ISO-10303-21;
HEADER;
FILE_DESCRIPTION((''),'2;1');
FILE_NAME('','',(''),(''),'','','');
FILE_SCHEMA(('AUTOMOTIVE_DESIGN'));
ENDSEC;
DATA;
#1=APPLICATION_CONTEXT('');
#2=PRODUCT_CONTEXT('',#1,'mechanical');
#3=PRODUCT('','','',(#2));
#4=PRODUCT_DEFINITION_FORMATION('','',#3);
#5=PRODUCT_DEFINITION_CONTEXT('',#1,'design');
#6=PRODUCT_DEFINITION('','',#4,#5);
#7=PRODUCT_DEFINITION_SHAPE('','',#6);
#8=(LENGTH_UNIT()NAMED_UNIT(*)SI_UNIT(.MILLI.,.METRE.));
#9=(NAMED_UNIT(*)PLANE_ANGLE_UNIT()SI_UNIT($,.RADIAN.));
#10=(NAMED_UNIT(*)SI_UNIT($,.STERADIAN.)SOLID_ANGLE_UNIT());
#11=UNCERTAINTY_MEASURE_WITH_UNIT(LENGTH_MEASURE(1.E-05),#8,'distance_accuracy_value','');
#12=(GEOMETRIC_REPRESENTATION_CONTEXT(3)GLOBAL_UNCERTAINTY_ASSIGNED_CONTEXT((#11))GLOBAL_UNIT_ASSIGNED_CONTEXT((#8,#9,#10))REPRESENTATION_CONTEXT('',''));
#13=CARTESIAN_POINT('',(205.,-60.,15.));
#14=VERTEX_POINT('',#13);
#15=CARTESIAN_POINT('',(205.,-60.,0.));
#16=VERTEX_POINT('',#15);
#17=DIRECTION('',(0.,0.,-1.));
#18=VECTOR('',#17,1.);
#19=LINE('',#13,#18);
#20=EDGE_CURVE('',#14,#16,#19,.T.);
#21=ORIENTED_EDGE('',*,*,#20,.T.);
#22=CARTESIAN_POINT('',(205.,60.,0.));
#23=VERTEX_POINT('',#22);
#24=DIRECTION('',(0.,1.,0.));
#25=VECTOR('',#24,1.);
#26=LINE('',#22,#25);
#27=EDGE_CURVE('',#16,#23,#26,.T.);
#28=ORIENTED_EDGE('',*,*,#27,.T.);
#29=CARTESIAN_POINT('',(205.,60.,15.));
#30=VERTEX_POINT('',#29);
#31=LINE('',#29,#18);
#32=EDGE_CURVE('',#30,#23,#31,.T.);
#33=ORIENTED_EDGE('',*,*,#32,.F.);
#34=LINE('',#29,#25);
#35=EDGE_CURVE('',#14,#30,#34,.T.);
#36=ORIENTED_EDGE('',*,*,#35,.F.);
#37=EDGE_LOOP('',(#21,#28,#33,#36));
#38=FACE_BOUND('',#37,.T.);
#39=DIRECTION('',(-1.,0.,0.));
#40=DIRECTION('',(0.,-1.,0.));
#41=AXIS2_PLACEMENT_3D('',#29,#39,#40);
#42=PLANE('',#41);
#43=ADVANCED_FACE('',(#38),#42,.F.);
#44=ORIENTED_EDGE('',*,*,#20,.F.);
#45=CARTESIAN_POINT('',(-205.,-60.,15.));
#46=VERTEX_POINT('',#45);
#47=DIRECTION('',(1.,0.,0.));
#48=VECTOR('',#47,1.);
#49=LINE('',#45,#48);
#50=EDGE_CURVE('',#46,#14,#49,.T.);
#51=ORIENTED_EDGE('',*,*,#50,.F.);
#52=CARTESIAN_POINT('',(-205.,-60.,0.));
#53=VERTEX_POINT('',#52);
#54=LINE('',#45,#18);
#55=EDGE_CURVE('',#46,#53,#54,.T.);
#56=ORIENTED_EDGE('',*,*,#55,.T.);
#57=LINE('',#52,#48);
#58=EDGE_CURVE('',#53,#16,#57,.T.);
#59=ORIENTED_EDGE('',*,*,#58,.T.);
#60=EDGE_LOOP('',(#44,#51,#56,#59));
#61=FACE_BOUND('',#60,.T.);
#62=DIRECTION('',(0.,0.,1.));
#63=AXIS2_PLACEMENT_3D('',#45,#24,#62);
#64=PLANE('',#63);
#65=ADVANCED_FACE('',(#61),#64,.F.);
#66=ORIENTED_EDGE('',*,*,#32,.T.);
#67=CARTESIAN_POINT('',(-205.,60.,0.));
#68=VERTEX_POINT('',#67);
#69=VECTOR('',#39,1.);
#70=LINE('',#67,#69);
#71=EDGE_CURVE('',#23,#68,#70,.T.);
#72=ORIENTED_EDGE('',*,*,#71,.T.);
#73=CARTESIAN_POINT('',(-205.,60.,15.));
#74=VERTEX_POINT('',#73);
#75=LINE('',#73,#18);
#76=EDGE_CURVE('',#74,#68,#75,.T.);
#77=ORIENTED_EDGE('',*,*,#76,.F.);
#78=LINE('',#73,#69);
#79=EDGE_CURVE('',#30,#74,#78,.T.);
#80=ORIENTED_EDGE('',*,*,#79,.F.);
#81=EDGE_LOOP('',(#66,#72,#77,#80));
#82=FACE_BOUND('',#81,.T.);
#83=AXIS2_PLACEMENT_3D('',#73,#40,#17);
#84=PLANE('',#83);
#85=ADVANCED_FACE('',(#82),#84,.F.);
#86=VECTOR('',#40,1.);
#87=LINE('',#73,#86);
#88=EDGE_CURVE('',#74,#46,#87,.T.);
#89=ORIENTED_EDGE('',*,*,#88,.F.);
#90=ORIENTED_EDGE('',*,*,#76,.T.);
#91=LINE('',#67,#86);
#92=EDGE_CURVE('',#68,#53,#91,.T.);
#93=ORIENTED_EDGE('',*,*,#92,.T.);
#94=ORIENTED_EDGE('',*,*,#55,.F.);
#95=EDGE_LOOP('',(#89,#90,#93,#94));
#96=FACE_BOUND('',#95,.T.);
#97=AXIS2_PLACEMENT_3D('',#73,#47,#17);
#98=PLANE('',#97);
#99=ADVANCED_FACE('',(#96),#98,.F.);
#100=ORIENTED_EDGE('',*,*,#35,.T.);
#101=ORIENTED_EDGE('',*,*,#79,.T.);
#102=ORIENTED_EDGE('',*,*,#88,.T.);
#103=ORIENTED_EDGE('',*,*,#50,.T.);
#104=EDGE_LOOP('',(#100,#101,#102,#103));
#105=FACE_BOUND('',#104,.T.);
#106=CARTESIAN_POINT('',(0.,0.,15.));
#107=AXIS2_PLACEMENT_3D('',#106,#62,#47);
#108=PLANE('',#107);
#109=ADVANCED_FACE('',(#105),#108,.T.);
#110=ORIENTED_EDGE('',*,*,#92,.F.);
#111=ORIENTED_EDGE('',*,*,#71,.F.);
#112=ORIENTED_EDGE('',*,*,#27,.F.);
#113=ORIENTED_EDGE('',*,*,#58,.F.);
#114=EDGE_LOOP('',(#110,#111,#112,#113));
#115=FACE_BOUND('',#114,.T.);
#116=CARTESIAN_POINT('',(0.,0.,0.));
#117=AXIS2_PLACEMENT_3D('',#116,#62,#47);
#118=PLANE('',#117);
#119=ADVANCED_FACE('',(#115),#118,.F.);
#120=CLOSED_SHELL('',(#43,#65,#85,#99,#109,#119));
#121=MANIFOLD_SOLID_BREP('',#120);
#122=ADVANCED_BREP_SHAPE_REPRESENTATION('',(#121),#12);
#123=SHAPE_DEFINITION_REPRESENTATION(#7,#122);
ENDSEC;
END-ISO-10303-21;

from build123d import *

# Parameters (mm, degrees)
SKETCH_1_W      = 410
SKETCH_1_H      = 120
EXTRUDE_1_DEPTH = 15


with BuildPart() as part:
    # 草图1 → 凸台-拉伸1 (new body)
    with BuildSketch(Plane.XY):
        Rectangle(SKETCH_1_W, SKETCH_1_H)
    extrude(amount=EXTRUDE_1_DEPTH)


solid = part.part
